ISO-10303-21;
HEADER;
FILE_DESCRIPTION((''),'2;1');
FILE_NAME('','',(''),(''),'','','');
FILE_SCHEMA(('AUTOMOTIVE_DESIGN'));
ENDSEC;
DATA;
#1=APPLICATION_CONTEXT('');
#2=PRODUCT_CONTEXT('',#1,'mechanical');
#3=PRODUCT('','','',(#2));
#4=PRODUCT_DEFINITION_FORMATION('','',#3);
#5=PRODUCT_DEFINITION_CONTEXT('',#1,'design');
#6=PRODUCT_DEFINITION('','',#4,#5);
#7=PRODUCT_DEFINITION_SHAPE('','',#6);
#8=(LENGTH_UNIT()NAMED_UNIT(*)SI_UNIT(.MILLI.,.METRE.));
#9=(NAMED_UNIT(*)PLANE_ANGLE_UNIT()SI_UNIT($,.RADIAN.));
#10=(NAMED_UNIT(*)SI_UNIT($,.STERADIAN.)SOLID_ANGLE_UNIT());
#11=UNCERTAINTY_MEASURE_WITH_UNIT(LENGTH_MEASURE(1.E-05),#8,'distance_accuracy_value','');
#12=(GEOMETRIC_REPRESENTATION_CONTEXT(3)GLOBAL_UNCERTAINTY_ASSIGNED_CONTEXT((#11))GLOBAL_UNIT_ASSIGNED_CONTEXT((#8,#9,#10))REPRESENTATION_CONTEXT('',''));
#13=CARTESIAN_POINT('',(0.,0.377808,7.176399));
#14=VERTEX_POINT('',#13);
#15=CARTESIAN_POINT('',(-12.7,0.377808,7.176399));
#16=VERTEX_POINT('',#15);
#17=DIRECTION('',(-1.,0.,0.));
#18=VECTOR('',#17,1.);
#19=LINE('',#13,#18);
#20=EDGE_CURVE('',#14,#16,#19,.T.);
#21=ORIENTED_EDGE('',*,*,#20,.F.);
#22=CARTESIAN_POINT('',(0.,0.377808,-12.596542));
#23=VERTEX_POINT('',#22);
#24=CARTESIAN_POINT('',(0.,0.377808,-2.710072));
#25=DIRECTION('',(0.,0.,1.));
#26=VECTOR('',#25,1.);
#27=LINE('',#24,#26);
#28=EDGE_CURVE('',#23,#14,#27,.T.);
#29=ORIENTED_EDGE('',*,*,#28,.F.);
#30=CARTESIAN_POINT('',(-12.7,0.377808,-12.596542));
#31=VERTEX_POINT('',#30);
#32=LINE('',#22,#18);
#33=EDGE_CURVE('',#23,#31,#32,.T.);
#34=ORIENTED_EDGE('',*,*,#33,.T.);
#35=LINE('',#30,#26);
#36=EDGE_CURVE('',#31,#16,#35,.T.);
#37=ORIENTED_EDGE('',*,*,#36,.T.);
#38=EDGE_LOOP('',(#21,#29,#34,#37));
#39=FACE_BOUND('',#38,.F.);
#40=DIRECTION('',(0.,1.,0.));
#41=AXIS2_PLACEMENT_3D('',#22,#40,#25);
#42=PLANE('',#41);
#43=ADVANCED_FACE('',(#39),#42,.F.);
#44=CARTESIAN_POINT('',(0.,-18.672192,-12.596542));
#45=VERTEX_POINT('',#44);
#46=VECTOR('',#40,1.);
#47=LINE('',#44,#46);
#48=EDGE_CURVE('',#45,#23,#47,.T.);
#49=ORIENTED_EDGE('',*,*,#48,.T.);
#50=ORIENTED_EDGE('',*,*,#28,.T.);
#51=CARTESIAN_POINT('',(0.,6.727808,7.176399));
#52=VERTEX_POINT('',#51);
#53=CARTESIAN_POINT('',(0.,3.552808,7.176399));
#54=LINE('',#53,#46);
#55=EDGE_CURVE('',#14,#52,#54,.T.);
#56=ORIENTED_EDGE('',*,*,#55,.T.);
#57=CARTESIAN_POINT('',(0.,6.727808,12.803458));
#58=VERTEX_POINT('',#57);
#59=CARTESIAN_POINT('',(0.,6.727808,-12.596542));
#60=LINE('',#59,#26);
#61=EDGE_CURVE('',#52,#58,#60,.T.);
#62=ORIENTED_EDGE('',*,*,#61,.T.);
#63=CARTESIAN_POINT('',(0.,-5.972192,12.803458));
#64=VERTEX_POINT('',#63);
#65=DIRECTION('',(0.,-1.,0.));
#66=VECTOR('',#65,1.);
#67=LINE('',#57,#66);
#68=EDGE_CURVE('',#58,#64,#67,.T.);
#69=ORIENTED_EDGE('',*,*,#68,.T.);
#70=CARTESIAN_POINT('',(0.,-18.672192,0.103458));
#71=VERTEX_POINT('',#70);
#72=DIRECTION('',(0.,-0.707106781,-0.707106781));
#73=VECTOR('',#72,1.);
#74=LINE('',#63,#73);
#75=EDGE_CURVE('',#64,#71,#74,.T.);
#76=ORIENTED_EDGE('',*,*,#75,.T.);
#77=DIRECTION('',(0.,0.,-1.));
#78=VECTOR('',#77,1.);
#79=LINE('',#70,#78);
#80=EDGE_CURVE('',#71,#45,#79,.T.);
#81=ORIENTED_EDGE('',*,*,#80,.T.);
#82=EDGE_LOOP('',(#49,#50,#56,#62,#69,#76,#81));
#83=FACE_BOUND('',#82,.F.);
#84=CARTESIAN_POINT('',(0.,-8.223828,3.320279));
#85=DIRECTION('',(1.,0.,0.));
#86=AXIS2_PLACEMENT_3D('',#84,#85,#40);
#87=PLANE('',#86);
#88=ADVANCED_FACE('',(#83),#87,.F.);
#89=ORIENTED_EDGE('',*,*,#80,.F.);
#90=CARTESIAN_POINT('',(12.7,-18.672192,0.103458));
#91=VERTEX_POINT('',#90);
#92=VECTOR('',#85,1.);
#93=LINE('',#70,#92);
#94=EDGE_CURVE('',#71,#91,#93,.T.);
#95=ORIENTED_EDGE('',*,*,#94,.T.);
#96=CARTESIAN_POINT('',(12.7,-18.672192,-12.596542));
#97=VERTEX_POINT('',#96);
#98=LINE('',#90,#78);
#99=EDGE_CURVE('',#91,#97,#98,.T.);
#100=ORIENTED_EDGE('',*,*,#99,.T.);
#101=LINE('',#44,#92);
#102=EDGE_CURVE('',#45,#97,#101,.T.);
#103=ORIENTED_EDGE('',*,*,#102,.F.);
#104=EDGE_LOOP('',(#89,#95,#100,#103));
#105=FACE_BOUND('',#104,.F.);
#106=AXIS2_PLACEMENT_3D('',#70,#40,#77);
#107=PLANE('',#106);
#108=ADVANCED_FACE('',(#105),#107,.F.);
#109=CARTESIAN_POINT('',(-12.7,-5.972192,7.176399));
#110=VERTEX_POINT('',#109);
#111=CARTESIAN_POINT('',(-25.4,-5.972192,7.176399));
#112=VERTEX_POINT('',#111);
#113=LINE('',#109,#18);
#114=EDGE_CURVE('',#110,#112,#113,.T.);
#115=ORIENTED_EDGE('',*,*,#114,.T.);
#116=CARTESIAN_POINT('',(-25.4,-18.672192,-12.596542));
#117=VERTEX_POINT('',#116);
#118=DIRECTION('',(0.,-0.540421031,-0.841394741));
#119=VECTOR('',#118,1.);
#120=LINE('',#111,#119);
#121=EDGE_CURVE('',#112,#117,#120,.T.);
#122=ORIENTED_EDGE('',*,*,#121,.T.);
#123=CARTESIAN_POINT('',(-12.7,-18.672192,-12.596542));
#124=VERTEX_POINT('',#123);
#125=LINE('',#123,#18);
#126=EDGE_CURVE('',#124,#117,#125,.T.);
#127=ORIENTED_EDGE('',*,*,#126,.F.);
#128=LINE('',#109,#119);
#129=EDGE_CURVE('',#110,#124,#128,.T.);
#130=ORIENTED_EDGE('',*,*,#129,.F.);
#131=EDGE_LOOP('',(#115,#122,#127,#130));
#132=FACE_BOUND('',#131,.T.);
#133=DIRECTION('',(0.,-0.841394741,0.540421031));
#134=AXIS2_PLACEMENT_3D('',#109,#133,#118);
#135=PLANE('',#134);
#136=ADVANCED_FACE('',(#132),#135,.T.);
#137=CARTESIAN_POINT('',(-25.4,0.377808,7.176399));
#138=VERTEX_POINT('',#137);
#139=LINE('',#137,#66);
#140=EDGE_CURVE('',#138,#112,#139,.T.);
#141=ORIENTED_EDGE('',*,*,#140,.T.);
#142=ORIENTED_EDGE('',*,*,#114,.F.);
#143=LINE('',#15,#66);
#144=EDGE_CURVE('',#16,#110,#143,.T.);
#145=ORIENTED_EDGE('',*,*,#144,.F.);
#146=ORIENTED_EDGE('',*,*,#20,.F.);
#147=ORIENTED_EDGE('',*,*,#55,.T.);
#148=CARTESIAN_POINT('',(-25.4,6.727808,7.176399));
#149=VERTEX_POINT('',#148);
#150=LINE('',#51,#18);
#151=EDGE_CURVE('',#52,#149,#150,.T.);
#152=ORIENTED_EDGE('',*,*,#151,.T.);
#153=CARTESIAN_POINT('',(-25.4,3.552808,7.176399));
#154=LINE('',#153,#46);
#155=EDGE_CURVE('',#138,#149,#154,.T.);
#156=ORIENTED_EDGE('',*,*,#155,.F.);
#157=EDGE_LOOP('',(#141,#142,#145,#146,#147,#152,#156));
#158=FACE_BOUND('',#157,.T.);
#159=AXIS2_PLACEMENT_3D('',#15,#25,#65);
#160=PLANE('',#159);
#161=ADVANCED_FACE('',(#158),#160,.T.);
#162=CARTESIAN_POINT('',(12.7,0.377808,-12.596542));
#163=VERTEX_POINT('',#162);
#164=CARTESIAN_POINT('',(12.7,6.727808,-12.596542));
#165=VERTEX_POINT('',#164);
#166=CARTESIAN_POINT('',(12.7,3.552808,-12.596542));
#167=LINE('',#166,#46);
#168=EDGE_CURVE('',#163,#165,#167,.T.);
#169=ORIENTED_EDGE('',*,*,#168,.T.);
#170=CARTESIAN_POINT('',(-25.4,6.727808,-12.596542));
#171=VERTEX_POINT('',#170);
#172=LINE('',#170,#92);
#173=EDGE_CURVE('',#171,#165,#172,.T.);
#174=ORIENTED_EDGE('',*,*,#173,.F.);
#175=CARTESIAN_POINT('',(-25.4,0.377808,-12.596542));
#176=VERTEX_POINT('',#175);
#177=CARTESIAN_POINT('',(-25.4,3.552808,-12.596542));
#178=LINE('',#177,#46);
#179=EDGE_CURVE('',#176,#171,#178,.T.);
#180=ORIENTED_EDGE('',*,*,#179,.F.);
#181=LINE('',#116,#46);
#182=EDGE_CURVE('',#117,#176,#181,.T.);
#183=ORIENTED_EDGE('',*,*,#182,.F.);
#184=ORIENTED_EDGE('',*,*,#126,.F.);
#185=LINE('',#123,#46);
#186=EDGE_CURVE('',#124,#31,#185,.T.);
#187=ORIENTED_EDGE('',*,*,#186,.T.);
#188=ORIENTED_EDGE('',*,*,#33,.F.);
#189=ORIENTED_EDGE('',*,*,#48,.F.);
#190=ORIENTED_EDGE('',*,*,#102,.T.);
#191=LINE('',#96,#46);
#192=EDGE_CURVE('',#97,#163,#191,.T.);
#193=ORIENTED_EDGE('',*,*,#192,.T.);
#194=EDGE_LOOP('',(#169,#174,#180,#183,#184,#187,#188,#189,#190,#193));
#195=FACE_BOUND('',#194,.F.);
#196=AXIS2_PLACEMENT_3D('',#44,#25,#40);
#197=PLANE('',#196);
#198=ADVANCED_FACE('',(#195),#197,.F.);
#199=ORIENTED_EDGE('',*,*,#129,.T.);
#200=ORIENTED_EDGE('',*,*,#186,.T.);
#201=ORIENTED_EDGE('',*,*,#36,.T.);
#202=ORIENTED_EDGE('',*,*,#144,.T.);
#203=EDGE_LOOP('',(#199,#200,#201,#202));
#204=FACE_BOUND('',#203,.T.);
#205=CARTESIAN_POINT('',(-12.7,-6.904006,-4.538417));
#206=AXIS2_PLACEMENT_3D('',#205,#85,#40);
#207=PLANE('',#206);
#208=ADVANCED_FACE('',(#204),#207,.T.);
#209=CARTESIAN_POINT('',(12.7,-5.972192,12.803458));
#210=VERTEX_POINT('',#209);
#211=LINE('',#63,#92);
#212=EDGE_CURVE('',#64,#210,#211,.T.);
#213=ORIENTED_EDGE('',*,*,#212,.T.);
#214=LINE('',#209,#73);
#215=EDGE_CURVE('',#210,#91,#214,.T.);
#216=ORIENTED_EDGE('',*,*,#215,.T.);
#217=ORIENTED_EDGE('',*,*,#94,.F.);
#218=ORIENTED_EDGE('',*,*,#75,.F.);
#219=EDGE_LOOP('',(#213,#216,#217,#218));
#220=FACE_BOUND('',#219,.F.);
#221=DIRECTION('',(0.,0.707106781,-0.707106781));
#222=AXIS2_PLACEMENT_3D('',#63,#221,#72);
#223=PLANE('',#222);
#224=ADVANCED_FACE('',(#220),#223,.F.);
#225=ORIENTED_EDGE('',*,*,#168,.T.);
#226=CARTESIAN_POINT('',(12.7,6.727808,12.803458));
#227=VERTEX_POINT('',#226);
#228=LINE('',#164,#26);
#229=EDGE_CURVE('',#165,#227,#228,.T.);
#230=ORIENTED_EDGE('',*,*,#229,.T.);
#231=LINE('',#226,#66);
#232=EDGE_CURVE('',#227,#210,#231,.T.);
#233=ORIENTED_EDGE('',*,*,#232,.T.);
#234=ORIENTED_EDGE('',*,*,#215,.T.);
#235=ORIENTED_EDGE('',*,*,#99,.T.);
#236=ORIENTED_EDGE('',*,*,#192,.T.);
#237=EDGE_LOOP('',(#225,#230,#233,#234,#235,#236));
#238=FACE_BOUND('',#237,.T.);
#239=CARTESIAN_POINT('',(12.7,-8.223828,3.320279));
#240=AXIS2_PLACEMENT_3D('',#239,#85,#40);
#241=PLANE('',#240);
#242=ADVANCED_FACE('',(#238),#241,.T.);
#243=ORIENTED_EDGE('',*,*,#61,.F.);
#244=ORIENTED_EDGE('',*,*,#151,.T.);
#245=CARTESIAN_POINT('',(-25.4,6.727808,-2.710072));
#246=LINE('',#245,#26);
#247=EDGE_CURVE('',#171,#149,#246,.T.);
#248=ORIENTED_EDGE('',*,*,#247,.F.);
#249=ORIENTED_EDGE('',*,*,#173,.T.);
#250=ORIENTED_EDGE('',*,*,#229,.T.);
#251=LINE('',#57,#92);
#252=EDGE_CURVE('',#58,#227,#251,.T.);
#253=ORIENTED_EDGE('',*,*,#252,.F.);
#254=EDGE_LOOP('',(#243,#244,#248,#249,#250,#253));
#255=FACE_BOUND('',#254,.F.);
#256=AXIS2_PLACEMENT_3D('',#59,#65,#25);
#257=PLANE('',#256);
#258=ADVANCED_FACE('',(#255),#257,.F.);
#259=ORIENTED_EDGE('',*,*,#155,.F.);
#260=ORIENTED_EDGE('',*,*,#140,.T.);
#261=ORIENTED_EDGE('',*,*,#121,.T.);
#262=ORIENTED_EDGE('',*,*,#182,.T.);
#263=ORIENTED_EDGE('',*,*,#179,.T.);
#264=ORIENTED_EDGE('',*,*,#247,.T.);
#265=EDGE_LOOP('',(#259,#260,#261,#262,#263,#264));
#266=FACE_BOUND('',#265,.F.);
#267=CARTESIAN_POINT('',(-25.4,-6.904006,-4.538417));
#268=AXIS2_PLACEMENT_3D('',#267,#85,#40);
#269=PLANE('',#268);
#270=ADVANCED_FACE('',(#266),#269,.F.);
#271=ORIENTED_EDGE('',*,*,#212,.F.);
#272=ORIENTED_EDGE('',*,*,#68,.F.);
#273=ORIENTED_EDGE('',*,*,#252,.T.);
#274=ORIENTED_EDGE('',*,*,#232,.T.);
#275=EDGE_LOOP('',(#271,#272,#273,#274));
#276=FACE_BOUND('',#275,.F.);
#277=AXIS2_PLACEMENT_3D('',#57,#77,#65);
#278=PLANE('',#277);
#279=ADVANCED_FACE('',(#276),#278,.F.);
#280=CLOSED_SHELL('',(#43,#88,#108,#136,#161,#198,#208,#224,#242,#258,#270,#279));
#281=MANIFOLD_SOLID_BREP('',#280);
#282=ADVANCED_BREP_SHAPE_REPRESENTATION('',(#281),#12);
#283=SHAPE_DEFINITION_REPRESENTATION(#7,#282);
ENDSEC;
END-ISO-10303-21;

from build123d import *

# Parameters (mm, degrees)
F0_W     = 6.35
F0_H     = 19.7729410879
F1_DEPTH = 25.4
F2_START = -12.7
F2_DEPTH = 12.7
F3_DEPTH = 12.7


with BuildPart() as f1:
    # F0 (on Right) → F1 (new body)
    with BuildSketch(Plane.YZ):
        with Locations((3.5528081138, -2.7100717787)):
            Rectangle(F0_W, F0_H)
    extrude(amount=-F1_DEPTH)

    # F0 (on Right) → F2 (join)
    with BuildSketch(Plane.YZ.offset(F2_START)):
        Polygon((-5.9721918862, 7.1763987653), (-18.6721918862, -12.5965423226), (0.3778081138, -12.5965423226), (0.3778081138, 7.1763987653), align=None)
    extrude(amount=-F2_DEPTH)

    # F0 (on Right) → F3 (join)
    with BuildSketch(Plane.YZ):
        Polygon((-18.6721918862, 0.1034576774), (-18.6721918862, -12.5965423226), (-5.9721918862, 7.1763987653), (0.3778081138, 7.1763987653), (6.7278081138, 7.1763987653), (6.7278081138, 12.8034576774), (-5.9721918862, 12.8034576774), align=None)
        with Locations((3.5528081138, -2.7100717787)):
            Rectangle(F0_W, F0_H)
        Polygon((-5.9721918862, 7.1763987653), (-18.6721918862, -12.5965423226), (0.3778081138, -12.5965423226), (0.3778081138, 7.1763987653), align=None)
    extrude(amount=F3_DEPTH)


solid = f1.part
